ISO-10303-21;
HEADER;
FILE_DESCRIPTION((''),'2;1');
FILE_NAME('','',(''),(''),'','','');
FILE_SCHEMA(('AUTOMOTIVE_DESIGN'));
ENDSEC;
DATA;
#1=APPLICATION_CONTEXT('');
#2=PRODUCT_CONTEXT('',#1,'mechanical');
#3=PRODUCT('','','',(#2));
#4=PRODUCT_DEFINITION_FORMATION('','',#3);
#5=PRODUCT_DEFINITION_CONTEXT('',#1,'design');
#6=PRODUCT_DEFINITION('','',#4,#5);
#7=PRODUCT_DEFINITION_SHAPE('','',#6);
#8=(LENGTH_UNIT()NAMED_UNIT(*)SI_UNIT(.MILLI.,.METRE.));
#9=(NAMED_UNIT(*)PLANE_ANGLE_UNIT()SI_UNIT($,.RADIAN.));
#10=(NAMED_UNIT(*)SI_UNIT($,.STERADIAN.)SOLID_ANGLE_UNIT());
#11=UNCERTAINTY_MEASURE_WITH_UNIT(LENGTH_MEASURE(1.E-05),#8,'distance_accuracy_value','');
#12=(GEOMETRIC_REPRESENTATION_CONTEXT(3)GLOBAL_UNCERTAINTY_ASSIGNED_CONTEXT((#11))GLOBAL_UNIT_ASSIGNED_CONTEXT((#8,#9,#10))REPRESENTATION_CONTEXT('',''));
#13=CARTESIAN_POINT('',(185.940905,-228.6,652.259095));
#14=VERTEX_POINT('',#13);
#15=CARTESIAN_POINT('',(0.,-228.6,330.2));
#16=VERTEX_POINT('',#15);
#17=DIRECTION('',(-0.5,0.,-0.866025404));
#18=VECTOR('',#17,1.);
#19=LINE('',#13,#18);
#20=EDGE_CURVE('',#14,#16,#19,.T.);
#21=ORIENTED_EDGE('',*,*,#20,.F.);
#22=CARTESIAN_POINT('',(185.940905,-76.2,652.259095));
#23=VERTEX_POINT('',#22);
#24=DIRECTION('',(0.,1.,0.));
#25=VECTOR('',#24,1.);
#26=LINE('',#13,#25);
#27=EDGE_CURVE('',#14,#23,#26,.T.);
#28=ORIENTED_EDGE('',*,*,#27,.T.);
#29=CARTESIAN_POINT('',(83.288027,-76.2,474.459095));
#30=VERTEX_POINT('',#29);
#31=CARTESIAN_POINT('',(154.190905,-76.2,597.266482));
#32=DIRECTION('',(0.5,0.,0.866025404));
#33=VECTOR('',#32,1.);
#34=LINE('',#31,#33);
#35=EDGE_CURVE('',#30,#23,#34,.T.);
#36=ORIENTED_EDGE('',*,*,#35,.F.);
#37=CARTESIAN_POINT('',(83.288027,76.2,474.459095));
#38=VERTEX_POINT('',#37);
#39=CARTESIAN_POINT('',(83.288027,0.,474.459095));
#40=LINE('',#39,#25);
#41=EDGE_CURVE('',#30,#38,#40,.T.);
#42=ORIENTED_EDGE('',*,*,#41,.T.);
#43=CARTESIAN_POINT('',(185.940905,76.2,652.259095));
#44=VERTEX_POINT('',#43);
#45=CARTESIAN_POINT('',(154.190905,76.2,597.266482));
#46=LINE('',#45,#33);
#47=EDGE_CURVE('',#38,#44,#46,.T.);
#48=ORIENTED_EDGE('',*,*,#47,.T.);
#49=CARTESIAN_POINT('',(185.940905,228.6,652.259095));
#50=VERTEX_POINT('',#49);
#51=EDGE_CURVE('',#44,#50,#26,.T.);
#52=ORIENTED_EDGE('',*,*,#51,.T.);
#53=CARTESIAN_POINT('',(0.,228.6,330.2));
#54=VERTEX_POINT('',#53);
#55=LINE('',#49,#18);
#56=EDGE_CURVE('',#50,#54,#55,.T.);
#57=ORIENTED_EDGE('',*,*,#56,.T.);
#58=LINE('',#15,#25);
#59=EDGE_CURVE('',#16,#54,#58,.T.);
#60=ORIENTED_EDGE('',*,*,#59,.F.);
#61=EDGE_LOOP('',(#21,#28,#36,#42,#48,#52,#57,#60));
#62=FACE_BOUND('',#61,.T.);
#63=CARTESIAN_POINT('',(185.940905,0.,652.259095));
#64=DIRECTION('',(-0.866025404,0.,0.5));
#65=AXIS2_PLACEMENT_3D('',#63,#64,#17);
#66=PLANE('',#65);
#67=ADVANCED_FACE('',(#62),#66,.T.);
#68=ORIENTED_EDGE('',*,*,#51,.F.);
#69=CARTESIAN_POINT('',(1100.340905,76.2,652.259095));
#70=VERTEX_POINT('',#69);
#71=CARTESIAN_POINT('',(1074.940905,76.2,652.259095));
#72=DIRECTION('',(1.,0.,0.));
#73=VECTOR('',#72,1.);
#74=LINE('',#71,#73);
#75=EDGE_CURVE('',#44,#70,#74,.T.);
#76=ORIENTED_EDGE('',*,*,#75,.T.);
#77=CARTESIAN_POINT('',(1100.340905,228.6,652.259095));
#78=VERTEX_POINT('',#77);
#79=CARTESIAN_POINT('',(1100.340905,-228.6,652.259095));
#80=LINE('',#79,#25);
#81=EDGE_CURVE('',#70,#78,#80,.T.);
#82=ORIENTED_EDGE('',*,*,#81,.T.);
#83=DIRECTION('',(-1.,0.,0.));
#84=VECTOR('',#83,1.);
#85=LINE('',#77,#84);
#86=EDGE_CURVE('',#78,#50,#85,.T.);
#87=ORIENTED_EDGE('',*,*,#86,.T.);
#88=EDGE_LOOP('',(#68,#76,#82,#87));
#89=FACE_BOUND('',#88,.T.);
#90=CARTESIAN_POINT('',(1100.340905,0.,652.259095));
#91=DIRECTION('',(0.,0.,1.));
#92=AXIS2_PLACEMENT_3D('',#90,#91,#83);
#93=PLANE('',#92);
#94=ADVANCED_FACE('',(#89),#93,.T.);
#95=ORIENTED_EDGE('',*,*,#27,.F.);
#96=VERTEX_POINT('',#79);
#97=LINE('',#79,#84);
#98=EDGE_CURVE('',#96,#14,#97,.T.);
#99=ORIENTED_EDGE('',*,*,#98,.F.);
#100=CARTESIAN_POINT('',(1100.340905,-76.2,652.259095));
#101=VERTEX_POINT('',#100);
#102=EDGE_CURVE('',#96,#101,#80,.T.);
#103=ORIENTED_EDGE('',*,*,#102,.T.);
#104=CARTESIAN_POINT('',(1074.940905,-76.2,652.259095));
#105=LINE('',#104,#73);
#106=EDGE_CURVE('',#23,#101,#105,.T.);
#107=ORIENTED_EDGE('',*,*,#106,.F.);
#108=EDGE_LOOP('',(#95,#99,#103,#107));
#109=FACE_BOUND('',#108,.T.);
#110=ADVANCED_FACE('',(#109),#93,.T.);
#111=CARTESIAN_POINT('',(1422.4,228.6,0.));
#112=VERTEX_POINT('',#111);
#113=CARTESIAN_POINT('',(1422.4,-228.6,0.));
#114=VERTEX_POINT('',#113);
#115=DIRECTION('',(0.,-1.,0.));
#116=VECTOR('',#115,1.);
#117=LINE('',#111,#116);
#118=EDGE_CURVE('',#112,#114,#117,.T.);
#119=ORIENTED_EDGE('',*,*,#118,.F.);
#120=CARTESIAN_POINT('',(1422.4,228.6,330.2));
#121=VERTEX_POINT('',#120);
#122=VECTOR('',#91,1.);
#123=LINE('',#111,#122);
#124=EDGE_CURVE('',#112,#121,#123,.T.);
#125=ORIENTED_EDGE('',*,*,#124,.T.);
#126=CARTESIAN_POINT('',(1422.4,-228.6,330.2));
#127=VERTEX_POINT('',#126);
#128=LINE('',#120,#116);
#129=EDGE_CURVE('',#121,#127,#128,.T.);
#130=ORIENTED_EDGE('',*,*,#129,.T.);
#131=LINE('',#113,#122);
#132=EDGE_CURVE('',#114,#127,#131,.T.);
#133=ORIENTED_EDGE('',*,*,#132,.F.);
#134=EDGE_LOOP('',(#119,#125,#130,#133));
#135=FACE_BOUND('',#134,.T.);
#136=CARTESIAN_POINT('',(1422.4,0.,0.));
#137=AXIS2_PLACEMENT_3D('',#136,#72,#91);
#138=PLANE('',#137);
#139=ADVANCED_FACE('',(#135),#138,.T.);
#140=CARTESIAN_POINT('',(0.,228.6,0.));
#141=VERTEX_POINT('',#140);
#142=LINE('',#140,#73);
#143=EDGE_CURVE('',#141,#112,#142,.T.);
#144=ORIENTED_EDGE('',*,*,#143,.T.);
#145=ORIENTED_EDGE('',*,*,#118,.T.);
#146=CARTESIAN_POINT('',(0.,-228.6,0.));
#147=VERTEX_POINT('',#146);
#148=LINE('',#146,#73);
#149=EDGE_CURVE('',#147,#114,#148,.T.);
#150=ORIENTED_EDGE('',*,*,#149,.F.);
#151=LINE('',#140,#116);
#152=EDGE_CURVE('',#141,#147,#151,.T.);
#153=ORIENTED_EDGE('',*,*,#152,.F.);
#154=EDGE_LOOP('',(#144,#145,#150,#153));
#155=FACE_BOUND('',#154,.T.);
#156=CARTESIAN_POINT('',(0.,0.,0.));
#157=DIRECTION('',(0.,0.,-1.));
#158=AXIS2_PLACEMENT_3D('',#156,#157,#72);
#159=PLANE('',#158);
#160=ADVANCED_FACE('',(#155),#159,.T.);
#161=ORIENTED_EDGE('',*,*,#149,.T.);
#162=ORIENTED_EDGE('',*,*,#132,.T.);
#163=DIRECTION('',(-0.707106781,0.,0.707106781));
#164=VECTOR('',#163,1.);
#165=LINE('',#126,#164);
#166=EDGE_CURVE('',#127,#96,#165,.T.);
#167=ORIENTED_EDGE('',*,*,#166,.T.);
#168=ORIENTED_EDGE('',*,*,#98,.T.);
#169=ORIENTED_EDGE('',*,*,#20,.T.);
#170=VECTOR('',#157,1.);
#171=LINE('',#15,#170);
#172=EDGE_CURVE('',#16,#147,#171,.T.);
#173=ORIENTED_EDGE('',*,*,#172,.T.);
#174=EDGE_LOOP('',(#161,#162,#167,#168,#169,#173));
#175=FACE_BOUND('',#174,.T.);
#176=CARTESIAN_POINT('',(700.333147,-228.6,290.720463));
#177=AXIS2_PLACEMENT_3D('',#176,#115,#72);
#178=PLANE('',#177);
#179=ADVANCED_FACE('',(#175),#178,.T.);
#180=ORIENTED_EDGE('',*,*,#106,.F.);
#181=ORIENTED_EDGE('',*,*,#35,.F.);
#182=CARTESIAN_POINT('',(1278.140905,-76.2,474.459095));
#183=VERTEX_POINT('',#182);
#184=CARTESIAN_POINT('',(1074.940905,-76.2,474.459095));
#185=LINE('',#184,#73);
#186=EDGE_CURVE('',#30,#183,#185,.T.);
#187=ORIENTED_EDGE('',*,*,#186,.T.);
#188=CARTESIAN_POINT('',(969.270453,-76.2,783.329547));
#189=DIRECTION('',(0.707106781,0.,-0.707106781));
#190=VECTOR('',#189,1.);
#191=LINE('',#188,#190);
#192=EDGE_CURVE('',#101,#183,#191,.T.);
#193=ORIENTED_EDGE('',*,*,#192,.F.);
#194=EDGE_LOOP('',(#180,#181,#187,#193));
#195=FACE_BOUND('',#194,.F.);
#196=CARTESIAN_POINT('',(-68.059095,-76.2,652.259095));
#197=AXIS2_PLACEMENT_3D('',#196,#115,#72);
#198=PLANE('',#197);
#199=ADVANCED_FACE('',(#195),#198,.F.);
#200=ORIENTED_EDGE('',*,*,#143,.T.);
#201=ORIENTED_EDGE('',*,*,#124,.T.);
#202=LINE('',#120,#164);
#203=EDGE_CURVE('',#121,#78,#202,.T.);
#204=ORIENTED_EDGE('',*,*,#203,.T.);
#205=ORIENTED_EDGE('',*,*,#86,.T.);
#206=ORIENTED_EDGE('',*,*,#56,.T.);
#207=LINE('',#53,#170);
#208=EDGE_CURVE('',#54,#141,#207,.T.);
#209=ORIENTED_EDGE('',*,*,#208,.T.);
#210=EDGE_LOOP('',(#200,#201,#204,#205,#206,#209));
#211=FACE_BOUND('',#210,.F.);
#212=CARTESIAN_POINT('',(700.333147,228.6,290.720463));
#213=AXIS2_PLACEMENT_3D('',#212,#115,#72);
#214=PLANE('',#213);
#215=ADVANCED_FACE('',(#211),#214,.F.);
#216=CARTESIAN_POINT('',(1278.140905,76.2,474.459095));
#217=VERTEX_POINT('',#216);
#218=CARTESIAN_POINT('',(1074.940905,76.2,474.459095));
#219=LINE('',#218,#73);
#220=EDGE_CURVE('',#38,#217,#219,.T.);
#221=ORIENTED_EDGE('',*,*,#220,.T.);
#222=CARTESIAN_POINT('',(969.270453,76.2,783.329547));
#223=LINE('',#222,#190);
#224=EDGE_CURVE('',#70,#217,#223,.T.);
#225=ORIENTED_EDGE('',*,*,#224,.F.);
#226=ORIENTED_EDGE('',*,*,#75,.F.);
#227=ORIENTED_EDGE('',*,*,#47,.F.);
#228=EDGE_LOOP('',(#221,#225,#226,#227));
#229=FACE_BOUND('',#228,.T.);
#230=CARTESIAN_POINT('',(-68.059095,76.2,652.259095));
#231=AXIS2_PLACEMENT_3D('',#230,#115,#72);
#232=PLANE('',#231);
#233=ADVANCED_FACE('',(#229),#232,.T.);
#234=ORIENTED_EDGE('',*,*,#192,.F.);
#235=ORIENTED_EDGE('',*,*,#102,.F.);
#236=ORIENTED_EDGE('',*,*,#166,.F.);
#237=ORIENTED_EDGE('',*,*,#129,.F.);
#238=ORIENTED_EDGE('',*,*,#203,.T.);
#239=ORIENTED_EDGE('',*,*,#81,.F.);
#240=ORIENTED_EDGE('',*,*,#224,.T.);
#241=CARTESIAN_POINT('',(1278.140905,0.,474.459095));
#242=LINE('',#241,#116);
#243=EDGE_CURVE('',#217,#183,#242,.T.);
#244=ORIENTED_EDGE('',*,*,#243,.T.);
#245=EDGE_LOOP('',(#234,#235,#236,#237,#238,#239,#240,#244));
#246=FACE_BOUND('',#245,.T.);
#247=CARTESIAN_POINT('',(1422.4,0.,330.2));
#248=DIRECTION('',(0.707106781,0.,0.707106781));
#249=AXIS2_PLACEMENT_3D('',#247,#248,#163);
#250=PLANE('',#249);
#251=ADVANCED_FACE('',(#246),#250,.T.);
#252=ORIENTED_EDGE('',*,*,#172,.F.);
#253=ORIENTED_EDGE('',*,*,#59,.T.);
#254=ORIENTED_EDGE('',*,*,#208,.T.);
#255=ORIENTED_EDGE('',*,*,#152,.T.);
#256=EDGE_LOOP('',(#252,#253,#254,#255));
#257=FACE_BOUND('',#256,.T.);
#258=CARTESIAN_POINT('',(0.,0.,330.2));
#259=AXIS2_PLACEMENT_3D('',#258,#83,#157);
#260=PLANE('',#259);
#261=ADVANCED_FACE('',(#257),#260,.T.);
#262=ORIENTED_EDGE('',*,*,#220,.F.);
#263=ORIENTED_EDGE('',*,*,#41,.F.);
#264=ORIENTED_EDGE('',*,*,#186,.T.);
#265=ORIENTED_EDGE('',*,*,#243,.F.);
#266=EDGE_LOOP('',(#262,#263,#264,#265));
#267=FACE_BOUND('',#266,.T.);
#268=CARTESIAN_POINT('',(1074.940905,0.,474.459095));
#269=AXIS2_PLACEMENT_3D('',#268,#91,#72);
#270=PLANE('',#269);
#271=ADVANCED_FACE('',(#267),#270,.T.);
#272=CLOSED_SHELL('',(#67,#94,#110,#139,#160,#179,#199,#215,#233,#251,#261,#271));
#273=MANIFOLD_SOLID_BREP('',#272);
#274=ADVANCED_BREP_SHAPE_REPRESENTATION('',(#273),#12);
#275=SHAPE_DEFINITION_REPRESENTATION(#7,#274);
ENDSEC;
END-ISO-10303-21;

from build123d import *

# Parameters (mm, degrees)
F1_DEPTH = 228.6
F2_W     = 2286
F2_H     = 152.4
F3_DEPTH = 177.8


with BuildPart() as f1:
    # F0 (on Front) → F1 (new body, symmetric)
    with BuildSketch(Plane.XZ):
        Polygon((0, 330.2), (0, 0), (1422.4, 0), (1422.4, 330.2), (1100.3409051225, 652.2590948775), (185.9409051225, 652.2590948775), align=None)
    extrude(amount=F1_DEPTH, both=True)

    # F2 (on face) → F3 (cut)
    with BuildSketch(Plane.XY.offset(652.2590948775)):
        with Locations((1074.9409051225, 0)):
            Rectangle(F2_W, F2_H)
    extrude(amount=-F3_DEPTH, mode=Mode.SUBTRACT)


solid = f1.part
